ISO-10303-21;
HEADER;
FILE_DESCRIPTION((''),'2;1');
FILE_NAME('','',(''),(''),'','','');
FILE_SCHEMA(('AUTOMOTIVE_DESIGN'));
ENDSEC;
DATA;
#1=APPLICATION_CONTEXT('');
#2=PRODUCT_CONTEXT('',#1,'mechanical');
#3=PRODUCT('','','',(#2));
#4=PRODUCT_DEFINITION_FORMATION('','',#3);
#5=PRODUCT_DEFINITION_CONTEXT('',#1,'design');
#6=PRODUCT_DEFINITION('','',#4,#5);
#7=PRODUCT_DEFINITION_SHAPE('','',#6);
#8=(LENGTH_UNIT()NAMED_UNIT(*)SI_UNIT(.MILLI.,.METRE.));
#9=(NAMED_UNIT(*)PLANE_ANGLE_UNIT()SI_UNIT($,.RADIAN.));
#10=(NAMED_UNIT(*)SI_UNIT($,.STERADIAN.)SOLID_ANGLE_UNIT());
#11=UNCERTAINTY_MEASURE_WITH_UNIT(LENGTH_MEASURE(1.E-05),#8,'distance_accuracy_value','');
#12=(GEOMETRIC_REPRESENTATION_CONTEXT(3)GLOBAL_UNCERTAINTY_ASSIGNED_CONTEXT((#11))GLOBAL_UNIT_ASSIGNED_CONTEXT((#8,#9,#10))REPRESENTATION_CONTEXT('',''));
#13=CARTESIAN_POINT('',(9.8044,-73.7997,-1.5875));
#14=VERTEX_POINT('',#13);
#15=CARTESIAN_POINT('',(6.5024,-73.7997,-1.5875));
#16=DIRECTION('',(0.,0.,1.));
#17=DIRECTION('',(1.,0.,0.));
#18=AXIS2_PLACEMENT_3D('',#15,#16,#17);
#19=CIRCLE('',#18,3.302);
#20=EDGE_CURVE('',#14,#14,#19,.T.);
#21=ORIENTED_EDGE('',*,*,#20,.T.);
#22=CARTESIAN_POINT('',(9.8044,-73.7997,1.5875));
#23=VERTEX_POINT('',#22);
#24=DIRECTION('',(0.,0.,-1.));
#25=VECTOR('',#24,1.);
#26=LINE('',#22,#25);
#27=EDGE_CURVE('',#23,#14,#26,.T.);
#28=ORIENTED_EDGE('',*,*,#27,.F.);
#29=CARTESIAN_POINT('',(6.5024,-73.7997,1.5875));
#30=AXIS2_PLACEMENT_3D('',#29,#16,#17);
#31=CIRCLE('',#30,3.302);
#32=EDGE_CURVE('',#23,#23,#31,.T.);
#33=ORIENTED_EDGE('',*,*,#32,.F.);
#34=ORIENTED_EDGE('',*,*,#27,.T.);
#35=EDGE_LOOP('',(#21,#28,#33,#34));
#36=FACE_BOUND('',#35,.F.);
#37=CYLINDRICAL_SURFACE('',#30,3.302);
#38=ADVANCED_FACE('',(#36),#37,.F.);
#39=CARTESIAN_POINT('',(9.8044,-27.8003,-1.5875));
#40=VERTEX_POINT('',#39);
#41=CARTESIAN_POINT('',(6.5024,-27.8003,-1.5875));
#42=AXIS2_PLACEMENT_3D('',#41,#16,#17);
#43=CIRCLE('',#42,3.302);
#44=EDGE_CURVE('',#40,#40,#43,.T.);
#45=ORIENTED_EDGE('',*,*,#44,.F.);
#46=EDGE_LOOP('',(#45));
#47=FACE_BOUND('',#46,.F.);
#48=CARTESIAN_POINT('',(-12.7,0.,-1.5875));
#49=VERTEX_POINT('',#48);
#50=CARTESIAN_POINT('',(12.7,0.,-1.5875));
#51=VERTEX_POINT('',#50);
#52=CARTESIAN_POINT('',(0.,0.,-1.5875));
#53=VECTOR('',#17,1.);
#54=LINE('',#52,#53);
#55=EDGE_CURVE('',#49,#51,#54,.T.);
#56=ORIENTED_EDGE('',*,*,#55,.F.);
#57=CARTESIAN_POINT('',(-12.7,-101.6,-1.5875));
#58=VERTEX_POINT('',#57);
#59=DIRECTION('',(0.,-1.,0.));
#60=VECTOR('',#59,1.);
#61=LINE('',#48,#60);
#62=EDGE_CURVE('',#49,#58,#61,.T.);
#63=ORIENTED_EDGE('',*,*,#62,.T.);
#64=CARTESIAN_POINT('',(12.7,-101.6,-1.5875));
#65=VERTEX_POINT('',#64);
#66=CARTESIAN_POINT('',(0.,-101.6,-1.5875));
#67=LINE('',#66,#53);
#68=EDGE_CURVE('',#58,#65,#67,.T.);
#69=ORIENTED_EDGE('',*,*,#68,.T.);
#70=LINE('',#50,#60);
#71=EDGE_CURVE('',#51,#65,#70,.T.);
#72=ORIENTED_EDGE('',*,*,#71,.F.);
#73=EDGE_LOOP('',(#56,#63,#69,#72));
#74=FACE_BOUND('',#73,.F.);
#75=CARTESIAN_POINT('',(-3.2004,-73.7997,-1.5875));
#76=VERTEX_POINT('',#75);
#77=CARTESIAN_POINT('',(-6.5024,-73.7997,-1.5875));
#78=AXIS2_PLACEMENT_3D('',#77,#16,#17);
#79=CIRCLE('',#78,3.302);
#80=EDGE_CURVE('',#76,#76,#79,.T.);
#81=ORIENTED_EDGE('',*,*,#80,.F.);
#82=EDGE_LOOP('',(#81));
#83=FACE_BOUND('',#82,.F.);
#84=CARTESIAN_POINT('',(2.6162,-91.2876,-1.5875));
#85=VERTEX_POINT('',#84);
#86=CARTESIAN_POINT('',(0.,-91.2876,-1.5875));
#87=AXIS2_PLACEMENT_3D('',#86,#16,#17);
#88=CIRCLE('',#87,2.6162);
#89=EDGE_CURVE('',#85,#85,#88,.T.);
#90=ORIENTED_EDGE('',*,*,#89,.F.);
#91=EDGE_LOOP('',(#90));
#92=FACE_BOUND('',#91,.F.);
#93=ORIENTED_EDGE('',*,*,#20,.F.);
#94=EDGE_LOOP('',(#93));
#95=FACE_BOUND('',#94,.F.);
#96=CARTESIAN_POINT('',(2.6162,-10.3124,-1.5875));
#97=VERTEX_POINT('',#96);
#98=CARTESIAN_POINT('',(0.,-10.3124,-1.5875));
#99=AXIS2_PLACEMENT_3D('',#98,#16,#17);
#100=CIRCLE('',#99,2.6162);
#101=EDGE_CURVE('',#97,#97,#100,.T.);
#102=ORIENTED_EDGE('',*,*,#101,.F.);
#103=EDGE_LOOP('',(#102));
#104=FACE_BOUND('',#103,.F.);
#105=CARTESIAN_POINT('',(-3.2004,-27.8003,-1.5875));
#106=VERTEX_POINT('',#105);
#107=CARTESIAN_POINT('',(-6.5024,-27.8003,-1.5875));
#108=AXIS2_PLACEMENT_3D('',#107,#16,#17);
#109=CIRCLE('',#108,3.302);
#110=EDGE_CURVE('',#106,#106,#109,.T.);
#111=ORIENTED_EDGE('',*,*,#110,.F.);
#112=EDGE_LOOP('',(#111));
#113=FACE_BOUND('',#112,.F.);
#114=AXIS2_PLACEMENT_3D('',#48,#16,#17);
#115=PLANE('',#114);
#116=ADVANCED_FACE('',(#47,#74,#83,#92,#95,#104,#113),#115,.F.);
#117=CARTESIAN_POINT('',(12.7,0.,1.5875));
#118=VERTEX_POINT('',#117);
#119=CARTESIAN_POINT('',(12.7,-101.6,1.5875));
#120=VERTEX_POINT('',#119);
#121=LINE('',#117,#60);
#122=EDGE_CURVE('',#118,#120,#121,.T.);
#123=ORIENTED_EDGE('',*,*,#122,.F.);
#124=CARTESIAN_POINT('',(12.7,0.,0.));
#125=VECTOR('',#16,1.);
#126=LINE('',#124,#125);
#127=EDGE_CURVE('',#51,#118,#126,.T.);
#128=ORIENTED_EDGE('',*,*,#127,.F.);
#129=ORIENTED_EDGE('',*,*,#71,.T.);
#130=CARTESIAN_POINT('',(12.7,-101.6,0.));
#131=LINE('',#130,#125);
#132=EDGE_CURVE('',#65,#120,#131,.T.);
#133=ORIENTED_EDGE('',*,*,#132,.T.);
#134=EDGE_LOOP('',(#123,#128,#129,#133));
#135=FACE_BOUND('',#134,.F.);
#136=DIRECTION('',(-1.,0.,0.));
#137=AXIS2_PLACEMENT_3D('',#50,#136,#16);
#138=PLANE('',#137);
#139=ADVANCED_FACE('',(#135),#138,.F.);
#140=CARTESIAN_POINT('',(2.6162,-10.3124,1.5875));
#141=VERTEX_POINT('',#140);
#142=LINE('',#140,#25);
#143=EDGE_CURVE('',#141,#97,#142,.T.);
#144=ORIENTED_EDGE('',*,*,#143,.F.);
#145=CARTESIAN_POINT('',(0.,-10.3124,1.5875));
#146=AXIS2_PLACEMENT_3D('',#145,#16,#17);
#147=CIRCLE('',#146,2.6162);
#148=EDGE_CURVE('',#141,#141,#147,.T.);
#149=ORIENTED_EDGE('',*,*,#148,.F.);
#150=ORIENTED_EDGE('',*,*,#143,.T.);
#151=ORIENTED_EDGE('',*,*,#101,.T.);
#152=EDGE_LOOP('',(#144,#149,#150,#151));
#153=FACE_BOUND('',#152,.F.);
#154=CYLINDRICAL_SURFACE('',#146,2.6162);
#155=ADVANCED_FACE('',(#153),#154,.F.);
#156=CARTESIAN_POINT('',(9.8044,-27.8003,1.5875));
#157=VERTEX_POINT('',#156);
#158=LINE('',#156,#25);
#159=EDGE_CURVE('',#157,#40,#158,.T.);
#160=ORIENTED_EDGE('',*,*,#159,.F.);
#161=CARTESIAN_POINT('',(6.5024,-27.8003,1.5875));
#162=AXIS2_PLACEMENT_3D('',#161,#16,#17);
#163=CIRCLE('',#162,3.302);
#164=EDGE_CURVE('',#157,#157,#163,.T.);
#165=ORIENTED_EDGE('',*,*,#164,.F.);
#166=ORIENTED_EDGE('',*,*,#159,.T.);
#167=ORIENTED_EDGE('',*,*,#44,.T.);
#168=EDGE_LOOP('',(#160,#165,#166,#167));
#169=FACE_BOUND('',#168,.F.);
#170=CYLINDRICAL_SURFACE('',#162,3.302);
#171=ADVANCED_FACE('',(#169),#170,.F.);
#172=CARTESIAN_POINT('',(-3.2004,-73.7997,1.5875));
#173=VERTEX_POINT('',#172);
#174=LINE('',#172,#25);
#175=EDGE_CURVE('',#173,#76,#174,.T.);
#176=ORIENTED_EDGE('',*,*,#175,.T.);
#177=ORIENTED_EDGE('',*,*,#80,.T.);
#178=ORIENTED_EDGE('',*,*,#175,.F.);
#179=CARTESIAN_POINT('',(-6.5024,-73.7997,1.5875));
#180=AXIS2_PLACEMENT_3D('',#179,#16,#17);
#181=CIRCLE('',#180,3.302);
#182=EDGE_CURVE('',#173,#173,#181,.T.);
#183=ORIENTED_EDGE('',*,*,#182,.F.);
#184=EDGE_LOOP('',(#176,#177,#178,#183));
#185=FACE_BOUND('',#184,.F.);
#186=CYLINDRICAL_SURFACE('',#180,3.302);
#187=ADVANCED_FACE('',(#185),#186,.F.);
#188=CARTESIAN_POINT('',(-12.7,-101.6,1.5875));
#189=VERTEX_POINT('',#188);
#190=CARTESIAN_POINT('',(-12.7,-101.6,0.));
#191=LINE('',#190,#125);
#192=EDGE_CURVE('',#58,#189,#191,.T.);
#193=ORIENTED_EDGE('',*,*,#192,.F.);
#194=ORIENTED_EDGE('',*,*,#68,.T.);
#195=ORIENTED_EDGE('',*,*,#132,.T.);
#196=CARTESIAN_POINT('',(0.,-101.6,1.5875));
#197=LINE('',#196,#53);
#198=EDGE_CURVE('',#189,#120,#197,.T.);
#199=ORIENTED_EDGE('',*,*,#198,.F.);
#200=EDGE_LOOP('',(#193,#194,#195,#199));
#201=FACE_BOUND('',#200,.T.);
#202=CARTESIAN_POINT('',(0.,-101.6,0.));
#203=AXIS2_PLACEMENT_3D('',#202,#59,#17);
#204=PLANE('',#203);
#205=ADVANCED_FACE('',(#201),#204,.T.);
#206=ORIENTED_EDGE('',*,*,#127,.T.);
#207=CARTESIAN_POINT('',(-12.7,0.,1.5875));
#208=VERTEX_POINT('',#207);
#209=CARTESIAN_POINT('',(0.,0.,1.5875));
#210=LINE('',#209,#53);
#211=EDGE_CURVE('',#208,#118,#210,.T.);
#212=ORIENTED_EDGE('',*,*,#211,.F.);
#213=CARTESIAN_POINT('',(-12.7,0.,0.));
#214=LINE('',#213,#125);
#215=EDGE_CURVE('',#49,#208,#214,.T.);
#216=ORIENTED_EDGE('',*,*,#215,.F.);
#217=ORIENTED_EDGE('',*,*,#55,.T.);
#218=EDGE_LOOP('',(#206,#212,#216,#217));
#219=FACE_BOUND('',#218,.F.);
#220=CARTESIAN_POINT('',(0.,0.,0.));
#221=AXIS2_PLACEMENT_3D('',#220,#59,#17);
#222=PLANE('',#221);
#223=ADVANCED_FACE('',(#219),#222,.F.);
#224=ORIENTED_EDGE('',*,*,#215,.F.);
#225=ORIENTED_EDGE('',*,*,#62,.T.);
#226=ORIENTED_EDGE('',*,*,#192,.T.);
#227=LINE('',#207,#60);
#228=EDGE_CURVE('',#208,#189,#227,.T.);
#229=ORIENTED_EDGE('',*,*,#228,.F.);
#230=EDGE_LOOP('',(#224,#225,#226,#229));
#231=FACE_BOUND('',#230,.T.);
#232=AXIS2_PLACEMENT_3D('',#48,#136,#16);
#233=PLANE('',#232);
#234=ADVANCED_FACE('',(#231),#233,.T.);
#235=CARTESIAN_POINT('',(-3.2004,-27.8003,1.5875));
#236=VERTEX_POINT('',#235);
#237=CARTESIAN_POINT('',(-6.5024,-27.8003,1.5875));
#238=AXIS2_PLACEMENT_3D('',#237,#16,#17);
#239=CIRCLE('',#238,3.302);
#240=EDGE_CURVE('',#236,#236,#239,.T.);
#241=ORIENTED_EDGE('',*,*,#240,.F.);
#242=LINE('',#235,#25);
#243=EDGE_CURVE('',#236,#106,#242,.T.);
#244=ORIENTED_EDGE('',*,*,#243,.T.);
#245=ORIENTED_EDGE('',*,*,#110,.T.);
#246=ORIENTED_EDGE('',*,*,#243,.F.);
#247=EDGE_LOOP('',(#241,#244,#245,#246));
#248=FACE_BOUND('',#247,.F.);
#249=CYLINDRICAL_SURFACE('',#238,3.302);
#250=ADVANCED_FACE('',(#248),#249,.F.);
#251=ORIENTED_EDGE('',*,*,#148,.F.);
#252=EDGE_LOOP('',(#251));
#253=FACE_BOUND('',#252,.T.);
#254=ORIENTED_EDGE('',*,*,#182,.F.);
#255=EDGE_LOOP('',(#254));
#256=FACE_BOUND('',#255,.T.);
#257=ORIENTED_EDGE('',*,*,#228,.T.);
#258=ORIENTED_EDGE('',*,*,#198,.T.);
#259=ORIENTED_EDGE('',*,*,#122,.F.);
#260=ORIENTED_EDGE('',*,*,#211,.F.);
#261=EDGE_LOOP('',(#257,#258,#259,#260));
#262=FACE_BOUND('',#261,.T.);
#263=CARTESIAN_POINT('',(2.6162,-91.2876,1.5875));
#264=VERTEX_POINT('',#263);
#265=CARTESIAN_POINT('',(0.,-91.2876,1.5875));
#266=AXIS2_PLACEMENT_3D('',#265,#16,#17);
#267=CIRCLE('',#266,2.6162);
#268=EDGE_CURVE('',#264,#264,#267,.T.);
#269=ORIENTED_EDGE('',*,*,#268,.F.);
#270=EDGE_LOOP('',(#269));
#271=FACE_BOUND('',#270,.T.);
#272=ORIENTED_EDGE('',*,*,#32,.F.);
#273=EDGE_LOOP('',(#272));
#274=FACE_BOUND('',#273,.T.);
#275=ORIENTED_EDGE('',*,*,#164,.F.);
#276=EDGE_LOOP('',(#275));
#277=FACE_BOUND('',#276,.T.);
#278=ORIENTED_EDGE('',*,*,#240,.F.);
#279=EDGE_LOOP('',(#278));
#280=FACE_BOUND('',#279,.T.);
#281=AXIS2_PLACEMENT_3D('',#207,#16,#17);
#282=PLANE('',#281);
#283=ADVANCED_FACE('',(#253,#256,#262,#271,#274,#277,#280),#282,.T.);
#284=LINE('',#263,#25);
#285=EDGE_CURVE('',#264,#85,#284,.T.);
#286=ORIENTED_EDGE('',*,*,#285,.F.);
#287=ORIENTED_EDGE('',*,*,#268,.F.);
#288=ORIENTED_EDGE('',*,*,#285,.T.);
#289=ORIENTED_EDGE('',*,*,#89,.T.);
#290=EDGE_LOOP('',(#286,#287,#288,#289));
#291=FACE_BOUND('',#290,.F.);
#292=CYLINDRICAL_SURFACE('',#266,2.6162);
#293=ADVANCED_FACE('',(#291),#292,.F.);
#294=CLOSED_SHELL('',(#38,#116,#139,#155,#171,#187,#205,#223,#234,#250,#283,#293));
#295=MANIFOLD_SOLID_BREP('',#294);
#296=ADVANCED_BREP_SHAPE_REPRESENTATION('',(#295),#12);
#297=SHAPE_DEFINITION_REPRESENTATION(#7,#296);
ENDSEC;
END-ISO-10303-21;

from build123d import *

# Parameters (mm, degrees)
F0_W     = 25.4
F0_H     = 3.175
F1_DEPTH = 101.6
F2_R     = 2.6162
F2_R_2   = 3.302
F3_DEPTH = 3.176


with BuildPart() as f1:
    # F0 (on Front) → F1 (new body)
    with BuildSketch(Plane.XZ):
        Rectangle(F0_W, F0_H)
    extrude(amount=F1_DEPTH)

    # F2 (on face) → F3 (cut, through all)
    with BuildSketch(Plane.XY.offset(1.5875)):
        with Locations((0, -91.2876)):
            Circle(F2_R)
        with Locations((0, -10.3124)):
            Circle(F2_R)
        with Locations((-6.5024, -27.8003)):
            Circle(F2_R_2)
        with Locations((6.5024, -27.8003)):
            Circle(F2_R_2)
        with Locations((6.5024, -73.7997)):
            Circle(F2_R_2)
        with Locations((-6.5024, -73.7997)):
            Circle(F2_R_2)
    extrude(amount=-F3_DEPTH, mode=Mode.SUBTRACT)


solid = f1.part
